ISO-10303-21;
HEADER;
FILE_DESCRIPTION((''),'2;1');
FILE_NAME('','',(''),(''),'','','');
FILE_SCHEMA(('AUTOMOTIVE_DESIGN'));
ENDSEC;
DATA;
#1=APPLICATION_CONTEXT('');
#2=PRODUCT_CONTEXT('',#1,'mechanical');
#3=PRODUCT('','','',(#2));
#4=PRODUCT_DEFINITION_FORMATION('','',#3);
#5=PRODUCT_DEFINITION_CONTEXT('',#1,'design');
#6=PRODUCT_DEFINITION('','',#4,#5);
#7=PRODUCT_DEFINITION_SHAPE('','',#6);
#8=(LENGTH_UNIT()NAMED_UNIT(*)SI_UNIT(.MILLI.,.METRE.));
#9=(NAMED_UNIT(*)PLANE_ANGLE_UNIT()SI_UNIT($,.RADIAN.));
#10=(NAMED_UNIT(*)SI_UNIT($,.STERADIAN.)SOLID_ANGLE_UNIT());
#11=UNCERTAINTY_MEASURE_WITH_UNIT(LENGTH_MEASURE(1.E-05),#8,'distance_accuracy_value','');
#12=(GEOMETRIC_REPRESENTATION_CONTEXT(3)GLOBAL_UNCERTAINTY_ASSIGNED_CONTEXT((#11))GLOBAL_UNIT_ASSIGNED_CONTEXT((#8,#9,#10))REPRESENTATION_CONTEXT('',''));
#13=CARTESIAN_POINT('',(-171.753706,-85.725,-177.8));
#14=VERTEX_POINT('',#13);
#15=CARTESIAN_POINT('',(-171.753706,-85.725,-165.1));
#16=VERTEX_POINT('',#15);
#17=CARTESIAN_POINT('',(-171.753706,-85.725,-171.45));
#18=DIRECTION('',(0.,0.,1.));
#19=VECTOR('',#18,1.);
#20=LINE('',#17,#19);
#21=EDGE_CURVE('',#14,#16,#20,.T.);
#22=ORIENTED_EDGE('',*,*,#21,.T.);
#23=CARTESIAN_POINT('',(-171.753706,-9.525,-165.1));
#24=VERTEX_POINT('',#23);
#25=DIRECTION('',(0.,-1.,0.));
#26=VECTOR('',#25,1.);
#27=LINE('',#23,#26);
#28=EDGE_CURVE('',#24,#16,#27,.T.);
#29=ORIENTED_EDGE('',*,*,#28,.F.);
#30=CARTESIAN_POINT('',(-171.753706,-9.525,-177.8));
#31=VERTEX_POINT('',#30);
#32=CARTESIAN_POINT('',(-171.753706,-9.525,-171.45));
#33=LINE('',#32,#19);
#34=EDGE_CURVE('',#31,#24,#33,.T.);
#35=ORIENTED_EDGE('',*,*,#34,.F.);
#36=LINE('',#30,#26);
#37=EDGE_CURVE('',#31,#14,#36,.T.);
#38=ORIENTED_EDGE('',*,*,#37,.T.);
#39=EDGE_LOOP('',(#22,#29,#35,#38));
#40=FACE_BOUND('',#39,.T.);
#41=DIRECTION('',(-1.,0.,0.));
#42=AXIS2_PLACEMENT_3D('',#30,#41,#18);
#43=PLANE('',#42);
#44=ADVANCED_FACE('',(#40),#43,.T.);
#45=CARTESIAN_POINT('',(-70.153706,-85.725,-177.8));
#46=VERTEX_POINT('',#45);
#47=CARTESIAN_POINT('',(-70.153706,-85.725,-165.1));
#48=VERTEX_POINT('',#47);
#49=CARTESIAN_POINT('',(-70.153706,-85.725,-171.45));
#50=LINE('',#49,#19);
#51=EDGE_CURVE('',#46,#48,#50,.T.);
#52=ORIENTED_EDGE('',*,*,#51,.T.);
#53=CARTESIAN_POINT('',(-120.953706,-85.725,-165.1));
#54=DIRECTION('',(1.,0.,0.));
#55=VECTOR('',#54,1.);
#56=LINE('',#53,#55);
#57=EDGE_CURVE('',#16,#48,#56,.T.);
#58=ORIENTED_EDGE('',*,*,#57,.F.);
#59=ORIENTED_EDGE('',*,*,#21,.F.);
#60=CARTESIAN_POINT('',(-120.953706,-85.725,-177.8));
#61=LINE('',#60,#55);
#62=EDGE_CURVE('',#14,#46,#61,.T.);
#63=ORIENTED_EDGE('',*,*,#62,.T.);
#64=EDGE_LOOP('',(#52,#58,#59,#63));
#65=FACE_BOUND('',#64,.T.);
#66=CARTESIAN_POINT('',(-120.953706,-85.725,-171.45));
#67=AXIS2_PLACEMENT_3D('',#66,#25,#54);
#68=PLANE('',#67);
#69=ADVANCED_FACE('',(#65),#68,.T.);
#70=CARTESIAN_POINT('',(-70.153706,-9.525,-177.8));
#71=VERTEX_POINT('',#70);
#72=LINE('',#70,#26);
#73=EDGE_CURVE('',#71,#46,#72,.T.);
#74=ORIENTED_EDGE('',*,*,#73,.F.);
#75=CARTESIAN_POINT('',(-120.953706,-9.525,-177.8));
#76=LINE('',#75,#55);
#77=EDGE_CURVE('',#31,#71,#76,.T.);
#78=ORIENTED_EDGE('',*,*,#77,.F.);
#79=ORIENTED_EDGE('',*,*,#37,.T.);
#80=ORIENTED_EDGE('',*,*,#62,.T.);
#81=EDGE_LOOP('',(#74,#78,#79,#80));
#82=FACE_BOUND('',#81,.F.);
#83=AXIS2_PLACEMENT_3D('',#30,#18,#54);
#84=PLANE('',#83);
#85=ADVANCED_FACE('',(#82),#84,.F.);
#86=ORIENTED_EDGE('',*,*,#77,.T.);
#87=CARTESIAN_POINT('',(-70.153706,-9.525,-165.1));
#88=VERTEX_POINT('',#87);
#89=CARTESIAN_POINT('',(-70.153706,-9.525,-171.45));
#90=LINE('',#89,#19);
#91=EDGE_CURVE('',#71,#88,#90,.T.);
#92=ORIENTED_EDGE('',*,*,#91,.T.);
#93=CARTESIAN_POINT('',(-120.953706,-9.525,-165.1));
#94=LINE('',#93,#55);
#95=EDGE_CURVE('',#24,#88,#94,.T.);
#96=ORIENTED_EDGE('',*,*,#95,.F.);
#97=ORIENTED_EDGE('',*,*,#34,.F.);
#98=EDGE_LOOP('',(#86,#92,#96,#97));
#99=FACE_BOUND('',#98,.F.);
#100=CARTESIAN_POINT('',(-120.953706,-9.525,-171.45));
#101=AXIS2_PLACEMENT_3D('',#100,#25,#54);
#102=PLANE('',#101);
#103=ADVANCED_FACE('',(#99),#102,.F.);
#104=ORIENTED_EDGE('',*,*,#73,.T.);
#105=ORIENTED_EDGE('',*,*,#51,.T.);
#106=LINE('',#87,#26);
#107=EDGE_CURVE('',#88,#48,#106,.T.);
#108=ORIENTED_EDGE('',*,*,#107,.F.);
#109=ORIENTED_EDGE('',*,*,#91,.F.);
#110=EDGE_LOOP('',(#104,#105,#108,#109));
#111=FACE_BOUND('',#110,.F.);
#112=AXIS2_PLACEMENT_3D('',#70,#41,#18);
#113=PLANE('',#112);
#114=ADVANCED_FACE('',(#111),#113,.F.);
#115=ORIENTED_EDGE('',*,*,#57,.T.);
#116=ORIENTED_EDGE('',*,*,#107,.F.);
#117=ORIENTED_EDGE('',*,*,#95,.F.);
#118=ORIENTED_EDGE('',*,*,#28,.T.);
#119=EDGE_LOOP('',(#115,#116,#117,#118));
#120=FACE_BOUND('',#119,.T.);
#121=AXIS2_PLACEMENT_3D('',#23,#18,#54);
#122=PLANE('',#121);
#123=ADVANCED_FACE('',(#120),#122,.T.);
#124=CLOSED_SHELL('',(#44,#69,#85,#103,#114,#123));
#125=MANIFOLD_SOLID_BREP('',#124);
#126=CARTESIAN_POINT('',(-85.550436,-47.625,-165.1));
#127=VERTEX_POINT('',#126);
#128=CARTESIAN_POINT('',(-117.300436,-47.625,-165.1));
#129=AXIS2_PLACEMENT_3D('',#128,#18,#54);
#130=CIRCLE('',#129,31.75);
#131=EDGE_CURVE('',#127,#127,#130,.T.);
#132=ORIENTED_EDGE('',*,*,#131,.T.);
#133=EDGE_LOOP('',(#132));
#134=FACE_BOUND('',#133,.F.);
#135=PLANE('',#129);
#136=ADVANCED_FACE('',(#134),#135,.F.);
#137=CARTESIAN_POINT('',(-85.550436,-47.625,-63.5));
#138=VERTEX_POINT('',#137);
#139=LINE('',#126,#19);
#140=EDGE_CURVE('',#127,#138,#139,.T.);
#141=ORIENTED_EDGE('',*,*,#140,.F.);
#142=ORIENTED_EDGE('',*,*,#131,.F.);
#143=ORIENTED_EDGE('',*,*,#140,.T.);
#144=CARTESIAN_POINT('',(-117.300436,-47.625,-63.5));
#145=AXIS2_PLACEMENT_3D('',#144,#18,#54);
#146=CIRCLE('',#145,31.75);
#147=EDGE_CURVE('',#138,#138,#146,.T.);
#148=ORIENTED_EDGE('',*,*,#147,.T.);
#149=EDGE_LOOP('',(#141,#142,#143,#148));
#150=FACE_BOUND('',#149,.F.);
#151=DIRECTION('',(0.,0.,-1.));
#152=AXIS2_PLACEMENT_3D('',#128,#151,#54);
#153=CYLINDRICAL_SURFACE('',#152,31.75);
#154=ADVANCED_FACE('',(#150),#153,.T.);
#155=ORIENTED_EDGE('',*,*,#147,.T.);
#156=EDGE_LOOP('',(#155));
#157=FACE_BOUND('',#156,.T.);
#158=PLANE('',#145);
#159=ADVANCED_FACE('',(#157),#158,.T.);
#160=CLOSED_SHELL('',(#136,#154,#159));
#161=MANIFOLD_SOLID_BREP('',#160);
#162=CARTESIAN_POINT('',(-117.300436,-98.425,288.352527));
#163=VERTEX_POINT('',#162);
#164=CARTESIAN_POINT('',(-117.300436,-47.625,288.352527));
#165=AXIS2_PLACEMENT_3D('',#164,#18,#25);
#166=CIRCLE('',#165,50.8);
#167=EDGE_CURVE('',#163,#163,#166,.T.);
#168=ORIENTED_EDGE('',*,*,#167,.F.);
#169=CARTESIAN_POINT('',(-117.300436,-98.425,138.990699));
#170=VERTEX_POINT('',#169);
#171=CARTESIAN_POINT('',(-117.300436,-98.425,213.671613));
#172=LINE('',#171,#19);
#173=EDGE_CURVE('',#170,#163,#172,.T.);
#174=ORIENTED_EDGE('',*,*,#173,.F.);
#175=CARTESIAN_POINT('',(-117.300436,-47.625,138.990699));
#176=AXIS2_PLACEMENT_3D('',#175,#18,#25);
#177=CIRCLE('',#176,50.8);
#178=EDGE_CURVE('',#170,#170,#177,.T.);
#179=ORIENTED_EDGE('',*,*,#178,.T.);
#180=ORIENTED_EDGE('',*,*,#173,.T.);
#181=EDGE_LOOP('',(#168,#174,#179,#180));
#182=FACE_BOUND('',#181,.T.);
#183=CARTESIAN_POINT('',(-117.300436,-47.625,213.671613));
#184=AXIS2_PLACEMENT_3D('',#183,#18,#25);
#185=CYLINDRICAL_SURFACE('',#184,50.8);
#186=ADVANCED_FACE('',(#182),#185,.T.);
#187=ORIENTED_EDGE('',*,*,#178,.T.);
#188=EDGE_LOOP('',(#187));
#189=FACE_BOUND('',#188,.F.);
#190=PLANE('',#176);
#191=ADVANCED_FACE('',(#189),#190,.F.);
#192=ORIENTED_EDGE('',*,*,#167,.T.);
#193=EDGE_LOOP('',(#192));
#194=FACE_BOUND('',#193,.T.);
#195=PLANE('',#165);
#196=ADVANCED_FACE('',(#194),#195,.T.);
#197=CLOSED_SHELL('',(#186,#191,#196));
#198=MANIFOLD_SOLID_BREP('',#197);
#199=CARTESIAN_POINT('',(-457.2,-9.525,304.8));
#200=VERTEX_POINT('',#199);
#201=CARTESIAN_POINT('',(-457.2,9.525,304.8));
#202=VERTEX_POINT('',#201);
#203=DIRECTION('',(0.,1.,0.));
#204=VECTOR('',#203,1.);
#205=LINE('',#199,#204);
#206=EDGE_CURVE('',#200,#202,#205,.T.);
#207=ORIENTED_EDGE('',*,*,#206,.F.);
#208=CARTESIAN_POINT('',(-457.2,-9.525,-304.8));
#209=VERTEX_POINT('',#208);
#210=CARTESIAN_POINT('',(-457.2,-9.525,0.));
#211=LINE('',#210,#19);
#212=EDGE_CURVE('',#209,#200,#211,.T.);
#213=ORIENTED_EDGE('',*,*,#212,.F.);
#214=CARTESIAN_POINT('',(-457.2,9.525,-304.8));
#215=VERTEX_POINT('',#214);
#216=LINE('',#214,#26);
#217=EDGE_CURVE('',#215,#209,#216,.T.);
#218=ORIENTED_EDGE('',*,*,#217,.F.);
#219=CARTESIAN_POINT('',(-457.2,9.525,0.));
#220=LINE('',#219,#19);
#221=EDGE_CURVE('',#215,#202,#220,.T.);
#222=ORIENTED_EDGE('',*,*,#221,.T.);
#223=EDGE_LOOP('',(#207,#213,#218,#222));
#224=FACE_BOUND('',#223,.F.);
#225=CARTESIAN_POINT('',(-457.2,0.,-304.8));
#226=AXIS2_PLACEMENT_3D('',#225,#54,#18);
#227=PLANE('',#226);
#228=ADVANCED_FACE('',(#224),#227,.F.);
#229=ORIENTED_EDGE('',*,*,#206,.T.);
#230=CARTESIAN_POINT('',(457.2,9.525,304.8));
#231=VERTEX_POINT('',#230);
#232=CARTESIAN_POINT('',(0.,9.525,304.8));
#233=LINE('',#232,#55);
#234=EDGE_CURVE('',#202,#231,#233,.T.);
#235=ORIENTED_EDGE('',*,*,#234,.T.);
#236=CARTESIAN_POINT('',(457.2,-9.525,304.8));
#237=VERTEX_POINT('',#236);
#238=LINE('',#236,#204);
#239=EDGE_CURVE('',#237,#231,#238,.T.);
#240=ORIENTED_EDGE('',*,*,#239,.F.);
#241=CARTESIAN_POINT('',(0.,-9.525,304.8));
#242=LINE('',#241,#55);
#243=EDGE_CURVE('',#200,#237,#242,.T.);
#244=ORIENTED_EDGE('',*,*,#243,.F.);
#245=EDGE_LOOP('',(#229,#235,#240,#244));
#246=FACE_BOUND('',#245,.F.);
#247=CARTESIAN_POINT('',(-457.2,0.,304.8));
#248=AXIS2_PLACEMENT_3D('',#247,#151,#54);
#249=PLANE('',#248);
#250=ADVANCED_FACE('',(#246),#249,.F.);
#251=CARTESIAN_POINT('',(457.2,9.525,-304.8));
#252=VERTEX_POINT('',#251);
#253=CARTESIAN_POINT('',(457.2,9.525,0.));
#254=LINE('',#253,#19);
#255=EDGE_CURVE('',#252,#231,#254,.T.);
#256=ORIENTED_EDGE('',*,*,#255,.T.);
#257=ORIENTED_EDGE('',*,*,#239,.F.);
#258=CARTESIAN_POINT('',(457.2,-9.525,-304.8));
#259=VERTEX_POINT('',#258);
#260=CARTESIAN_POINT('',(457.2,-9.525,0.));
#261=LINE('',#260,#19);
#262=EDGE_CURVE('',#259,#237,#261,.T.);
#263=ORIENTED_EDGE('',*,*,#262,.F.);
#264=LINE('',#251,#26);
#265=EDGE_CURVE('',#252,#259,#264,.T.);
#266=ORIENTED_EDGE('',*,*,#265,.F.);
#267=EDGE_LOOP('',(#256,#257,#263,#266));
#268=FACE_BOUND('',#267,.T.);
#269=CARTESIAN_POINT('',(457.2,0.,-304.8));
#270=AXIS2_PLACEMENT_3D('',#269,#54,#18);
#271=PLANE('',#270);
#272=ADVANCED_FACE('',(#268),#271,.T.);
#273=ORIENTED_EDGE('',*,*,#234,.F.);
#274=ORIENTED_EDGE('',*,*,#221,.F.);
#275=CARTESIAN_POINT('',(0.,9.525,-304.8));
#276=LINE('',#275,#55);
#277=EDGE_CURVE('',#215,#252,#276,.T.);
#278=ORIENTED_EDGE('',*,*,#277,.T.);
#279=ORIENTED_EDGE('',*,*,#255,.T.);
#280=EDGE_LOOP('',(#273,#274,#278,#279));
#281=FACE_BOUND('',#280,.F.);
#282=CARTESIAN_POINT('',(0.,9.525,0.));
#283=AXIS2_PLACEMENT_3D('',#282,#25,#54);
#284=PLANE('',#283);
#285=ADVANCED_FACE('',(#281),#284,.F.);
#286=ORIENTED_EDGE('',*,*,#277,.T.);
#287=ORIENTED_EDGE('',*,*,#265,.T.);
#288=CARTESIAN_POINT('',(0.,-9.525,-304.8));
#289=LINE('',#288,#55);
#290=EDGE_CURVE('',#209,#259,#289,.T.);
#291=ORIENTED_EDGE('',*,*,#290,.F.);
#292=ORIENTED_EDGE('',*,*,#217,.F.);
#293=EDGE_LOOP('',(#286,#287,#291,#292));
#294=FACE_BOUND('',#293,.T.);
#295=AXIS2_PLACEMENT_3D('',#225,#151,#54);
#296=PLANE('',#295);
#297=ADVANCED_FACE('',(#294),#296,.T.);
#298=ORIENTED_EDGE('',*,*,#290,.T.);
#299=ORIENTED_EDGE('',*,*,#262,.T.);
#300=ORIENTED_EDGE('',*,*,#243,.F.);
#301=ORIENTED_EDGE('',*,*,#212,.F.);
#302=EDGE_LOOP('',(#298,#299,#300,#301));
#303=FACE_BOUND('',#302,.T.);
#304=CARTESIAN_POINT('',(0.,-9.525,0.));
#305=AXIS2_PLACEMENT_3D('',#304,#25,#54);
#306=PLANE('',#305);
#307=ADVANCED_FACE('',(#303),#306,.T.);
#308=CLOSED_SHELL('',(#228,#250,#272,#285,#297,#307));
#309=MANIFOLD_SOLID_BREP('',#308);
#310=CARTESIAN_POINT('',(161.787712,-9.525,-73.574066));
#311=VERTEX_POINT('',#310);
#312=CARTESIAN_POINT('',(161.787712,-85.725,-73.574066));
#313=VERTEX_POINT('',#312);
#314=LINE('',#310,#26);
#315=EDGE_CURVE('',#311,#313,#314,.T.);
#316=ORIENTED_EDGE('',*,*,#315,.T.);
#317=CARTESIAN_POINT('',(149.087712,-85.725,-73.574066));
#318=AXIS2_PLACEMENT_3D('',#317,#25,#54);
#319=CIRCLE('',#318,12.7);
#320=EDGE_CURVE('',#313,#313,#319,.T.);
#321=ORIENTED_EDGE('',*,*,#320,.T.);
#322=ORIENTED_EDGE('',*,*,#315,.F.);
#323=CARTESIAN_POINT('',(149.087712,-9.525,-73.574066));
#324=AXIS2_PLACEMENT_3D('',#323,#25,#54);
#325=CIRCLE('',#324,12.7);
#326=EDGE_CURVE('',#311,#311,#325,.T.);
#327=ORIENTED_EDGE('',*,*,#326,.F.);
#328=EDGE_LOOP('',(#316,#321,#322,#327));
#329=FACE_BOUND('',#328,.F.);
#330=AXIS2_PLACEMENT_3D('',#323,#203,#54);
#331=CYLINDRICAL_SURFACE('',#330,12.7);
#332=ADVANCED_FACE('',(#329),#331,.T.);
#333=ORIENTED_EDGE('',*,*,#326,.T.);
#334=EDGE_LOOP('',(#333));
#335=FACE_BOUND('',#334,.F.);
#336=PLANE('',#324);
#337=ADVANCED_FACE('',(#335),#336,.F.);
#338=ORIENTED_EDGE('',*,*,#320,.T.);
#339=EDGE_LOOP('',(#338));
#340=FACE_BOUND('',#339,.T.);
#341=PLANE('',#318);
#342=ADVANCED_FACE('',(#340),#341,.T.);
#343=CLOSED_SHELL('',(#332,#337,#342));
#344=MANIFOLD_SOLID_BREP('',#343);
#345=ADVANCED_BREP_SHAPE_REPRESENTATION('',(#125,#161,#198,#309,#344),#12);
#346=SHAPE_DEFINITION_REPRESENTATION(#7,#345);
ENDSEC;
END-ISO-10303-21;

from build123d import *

# Parameters (mm, degrees)
F0_W     = 914.4
F0_H     = 609.6
F1_DEPTH = 9.525
F2_W     = 101.6
F2_H     = 12.7
F3_DEPTH = 76.2
F4_R     = 31.75
F5_DEPTH = 101.6
F6_R     = 12.7
F7_DEPTH = 76.2
F10_W    = 50.8
F10_H    = 149.3618286225


with BuildPart() as f1:
    # F0 (on Front) → F1 (new body, symmetric)
    with BuildSketch(Plane.XZ):
        Rectangle(F0_W, F0_H)
    extrude(amount=F1_DEPTH, both=True)


with BuildPart() as f3:
    # F2 (on face) → F3 (new body)
    with BuildSketch(Plane.XZ.offset(9.525)):
        with Locations((-120.9537057757, -171.45)):
            Rectangle(F2_W, F2_H)
    extrude(amount=F3_DEPTH)


with BuildPart() as f5:
    # F4 (on face) → F5 (new body)
    with BuildSketch(Plane.XY.offset(-165.1)):
        with Locations((-117.3004359007, -47.625)):
            Circle(F4_R)
    extrude(amount=F5_DEPTH)


with BuildPart() as f7:
    # F6 (on face) → F7 (new body)
    with BuildSketch(Plane.XZ.offset(9.525)):
        with Locations((149.0877121687, -73.5740661621)):
            Circle(F6_R)
    extrude(amount=F7_DEPTH)


with BuildPart() as f11:
    # F10 (on plane+point) → F11 (revolve)
    with BuildSketch(Plane.YZ.offset(-117.3004359007)):
        with Locations((-73.025, 213.6716130443)):
            Rectangle(F10_W, F10_H)
    revolve(axis=Axis((-117.3004359007, -47.625, 112.4262636778), (0, 0, 1)))


solid = Compound([f1.part, f3.part, f5.part, f7.part, f11.part])
